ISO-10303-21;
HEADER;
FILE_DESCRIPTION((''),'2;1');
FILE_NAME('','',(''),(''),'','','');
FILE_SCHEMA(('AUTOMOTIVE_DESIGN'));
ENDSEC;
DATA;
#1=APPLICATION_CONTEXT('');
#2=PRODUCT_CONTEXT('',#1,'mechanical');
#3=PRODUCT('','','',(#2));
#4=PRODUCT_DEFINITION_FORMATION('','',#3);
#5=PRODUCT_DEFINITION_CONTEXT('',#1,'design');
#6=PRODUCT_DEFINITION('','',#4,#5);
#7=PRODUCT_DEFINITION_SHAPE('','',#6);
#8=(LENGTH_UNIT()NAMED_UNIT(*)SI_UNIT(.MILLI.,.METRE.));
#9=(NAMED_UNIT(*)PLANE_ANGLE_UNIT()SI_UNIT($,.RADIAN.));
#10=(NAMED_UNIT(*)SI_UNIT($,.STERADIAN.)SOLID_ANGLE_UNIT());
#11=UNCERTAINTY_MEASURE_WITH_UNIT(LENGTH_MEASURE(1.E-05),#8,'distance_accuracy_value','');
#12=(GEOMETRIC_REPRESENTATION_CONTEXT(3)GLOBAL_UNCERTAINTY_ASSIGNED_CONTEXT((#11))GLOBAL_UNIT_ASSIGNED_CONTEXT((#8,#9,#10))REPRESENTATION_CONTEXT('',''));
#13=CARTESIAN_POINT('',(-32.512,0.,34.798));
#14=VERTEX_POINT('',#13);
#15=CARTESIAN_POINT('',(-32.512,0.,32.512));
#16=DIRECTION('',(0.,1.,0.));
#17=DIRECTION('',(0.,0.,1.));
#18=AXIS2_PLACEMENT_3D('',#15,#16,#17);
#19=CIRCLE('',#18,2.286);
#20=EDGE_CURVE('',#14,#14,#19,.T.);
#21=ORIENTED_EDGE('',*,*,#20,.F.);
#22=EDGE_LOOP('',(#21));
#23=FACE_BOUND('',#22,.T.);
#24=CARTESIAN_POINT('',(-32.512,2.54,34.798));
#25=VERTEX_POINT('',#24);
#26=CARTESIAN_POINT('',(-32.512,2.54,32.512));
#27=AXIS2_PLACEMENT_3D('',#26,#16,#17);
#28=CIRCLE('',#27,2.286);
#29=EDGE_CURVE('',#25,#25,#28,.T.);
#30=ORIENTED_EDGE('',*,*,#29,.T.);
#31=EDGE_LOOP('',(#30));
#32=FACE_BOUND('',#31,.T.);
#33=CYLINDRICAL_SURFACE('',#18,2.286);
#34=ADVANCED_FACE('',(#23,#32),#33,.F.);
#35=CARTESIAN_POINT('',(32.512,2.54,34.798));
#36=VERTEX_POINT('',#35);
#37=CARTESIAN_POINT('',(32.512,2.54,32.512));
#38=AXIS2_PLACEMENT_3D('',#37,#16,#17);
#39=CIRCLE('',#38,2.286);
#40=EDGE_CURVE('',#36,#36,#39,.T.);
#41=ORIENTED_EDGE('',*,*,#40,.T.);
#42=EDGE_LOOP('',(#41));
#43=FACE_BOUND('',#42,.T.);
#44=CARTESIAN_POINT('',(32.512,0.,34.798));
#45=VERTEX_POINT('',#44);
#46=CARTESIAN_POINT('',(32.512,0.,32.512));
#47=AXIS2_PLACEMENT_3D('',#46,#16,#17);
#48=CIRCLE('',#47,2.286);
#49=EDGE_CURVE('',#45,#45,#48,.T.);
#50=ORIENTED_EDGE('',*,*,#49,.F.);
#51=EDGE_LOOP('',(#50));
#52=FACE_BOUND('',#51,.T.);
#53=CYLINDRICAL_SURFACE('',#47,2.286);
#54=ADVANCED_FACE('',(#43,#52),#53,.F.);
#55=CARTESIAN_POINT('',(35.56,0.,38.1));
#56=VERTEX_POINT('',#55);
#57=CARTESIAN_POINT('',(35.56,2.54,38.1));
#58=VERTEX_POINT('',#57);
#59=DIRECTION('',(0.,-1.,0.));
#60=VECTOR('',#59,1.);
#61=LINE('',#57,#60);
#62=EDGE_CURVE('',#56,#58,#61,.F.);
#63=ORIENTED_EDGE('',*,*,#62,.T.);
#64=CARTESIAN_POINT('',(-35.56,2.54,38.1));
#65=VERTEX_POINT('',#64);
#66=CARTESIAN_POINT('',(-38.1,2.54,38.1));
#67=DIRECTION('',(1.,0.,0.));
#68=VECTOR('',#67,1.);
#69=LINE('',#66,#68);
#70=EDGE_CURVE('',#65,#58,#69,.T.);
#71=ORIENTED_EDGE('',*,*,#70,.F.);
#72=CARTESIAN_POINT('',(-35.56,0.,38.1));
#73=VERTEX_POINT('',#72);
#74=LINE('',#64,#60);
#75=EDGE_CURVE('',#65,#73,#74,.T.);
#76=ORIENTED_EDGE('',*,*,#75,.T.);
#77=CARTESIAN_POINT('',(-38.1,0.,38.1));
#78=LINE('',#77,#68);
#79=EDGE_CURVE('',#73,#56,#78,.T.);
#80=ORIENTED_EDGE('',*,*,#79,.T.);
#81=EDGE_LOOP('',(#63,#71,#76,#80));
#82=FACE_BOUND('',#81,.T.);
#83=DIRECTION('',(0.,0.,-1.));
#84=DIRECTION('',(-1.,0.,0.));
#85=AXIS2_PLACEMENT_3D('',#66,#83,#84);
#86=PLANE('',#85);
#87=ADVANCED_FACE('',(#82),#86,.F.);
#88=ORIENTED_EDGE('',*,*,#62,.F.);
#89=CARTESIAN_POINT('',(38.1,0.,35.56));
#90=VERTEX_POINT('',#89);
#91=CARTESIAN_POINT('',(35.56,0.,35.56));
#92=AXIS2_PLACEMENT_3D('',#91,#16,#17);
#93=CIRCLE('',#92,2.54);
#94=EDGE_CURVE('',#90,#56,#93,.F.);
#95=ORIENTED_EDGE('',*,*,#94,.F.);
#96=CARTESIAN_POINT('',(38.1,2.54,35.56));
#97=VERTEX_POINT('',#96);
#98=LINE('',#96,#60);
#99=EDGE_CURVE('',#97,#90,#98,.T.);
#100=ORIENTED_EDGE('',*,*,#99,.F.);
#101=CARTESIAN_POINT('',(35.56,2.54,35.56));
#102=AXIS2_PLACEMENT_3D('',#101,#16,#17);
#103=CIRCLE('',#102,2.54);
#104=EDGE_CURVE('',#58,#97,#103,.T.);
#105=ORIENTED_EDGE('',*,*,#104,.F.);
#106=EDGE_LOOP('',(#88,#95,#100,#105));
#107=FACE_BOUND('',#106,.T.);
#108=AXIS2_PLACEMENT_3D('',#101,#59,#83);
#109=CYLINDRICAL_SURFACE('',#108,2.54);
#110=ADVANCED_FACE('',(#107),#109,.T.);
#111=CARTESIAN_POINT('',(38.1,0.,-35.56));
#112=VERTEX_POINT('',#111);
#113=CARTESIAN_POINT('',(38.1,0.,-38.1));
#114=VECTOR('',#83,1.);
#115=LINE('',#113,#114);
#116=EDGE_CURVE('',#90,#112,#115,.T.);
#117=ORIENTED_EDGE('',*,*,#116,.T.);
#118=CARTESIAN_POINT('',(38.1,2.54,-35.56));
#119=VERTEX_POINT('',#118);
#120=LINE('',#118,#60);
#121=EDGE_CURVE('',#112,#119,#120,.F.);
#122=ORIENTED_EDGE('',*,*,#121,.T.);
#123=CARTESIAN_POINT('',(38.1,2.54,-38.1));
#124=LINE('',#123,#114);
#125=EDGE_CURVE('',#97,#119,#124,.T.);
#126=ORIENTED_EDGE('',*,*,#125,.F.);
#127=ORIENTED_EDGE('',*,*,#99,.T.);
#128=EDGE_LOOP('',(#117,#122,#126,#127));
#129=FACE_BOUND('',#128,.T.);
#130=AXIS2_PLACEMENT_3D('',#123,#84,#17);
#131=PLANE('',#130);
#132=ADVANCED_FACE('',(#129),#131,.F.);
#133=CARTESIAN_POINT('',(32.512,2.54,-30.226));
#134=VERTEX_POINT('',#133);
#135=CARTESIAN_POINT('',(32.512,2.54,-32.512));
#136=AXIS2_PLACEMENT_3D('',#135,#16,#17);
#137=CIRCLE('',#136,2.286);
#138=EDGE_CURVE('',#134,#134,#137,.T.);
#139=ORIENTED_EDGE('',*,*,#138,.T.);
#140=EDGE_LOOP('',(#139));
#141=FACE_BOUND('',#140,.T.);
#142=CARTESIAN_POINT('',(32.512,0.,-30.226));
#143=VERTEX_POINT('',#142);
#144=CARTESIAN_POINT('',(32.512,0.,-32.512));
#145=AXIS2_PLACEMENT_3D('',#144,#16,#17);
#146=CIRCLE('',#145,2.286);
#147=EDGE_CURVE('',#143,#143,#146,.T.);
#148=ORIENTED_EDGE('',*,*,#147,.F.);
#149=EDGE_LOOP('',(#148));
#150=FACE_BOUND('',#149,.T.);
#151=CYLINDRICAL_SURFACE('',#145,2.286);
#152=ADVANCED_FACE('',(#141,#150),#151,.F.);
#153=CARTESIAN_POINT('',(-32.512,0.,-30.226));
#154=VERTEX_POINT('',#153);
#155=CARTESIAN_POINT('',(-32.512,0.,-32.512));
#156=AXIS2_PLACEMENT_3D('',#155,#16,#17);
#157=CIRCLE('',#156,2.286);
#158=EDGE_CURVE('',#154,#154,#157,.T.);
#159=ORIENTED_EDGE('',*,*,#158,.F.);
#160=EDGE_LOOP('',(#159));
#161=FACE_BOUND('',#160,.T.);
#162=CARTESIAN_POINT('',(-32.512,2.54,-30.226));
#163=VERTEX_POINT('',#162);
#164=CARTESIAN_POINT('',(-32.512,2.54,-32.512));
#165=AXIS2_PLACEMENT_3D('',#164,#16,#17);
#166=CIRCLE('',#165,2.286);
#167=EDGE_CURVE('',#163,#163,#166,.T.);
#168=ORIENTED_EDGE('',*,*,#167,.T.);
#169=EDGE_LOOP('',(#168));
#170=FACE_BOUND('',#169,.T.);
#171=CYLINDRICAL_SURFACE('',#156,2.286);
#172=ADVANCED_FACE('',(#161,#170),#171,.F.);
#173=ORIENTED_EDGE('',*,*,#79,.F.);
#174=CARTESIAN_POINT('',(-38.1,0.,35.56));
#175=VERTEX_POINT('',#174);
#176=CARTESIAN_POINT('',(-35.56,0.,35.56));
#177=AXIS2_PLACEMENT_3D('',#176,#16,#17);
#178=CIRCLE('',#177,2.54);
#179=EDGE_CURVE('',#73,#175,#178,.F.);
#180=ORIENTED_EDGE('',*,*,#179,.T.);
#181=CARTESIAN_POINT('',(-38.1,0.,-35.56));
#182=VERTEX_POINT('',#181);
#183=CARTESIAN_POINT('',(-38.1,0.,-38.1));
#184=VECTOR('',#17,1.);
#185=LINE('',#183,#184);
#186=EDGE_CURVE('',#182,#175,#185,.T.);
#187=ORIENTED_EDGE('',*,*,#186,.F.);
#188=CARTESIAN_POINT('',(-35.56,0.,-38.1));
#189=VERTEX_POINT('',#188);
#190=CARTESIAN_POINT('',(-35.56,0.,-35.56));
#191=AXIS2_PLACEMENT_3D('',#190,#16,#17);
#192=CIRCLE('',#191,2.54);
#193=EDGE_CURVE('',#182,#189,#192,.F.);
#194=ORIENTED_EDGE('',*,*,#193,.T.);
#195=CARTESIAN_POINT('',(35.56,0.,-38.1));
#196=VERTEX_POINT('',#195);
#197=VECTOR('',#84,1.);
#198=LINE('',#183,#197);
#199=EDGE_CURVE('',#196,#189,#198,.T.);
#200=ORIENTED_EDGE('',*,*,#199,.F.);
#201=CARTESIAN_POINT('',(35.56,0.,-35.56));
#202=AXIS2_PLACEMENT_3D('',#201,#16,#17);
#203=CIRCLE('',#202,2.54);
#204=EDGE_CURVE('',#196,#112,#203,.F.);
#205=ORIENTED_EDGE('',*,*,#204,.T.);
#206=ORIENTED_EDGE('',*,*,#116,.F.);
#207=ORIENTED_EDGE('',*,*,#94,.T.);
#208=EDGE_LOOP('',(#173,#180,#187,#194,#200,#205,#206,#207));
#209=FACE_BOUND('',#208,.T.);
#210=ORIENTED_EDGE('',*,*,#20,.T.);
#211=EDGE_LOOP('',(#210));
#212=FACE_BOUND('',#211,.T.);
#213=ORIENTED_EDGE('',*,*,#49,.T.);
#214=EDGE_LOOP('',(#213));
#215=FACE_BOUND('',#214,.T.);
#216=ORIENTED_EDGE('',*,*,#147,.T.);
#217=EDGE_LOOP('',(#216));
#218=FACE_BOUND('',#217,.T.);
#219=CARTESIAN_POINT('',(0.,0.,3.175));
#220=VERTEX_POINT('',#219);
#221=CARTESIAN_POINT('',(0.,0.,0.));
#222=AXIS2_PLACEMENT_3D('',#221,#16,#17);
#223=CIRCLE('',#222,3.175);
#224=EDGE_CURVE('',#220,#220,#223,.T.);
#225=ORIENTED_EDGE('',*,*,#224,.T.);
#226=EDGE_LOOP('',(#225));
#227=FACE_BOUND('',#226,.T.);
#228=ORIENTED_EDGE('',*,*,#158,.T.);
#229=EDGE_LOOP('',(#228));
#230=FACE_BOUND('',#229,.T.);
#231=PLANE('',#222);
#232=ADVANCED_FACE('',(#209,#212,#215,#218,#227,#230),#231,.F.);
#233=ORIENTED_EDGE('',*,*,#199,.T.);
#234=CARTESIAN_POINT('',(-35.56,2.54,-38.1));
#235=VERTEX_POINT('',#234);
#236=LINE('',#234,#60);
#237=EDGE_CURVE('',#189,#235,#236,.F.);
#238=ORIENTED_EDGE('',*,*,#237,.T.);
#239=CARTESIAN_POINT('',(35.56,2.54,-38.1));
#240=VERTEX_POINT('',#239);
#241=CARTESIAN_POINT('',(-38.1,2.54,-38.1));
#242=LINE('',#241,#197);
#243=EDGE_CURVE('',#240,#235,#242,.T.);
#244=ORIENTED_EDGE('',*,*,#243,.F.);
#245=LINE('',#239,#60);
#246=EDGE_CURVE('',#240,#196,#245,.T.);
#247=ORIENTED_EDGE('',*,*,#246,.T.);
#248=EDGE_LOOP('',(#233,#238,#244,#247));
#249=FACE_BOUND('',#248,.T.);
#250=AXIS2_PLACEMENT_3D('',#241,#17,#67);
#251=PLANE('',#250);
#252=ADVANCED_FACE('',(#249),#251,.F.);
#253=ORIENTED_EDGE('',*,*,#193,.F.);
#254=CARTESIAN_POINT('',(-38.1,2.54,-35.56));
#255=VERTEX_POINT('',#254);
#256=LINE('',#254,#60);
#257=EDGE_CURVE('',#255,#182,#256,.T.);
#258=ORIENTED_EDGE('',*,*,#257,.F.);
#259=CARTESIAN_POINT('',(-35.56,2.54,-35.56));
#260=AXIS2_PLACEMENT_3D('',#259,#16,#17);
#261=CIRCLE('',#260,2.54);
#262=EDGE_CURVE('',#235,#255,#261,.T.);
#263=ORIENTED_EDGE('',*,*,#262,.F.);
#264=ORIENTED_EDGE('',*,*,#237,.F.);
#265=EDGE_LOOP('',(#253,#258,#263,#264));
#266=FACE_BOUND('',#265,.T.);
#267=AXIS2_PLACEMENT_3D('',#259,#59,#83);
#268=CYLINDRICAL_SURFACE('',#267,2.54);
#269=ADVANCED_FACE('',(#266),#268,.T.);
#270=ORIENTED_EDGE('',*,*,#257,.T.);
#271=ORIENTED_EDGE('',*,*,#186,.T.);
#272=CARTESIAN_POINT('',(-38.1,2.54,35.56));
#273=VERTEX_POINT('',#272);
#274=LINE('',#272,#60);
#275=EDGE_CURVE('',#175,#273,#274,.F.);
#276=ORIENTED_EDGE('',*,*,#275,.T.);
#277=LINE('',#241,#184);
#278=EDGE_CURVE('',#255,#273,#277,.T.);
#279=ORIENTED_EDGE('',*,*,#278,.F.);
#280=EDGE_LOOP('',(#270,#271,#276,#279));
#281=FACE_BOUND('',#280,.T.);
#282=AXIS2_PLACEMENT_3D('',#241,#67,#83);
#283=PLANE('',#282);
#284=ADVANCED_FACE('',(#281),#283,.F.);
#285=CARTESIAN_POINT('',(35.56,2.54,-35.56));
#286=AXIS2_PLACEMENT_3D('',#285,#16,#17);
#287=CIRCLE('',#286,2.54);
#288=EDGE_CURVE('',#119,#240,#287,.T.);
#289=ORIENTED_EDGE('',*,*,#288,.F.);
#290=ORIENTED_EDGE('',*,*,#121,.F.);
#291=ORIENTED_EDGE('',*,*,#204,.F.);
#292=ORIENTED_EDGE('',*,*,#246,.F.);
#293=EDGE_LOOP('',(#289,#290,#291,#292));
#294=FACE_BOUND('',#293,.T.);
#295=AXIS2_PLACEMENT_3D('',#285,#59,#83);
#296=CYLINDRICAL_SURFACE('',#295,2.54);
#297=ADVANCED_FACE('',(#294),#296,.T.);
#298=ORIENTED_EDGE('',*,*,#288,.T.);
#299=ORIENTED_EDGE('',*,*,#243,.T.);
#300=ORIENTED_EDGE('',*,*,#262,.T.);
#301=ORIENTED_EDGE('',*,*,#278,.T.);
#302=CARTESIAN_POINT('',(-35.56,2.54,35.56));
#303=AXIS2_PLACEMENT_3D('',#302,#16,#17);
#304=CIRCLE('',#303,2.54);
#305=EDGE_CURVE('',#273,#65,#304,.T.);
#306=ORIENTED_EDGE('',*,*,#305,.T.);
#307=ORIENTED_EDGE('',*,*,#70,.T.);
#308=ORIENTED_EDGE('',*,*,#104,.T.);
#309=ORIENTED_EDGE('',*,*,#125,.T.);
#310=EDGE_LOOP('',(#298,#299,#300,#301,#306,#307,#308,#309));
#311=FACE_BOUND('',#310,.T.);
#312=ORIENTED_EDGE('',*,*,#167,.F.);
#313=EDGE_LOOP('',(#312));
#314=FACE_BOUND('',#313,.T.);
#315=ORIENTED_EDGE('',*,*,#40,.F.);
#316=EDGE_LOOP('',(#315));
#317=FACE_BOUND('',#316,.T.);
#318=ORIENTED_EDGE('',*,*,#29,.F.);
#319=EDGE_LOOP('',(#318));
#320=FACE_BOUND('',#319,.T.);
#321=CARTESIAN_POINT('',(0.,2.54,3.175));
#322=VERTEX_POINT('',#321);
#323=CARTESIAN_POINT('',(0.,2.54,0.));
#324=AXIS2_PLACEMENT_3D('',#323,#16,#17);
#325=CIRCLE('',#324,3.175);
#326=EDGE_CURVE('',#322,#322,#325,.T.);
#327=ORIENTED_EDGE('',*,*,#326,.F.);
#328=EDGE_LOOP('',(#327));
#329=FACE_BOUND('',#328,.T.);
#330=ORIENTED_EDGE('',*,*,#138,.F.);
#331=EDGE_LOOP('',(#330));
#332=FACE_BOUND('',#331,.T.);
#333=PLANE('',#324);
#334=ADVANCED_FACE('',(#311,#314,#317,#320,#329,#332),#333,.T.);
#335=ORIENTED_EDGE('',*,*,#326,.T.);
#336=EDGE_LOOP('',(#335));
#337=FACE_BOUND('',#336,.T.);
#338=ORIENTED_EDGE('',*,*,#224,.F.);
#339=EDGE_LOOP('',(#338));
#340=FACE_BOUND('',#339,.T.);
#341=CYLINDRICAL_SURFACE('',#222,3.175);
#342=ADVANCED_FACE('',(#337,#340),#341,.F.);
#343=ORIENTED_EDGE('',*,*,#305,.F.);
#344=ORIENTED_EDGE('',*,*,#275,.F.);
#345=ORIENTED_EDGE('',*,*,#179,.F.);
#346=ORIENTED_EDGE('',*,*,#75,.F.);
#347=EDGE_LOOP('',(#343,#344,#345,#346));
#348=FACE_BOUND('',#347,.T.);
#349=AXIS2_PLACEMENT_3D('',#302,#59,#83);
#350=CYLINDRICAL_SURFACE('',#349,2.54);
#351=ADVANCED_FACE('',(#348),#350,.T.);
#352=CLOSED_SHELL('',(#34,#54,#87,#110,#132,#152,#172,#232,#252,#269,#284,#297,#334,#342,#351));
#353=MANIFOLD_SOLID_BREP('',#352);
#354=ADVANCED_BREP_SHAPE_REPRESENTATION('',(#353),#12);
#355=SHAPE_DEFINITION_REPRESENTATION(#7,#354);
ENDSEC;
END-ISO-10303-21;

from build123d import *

# Parameters (mm, degrees)
SKETCH2_W           = 76.2
SKETCH2_H           = 76.2
BOSS_EXTRUDE2_DEPTH = 2.54
SKETCH5_R           = 2.286
CUT_EXTRUDE1_DEPTH  = 2.54
SKETCH6_R           = 3.175
CUT_EXTRUDE2_DEPTH  = 2.54
FILLET3_R           = 2.54


with BuildPart() as part:
    # Sketch2 → Boss-Extrude2 (new body)
    with BuildSketch(Plane(origin=(0, 0, 0), x_dir=(1, 0, 0), z_dir=(0, 1, 0))):
        Rectangle(SKETCH2_W, SKETCH2_H)
    extrude(amount=BOSS_EXTRUDE2_DEPTH)

    # Sketch5 → Cut-Extrude1 (cut)
    with BuildSketch(Plane(origin=(0, 2.54, 0), x_dir=(1, 0, 0), z_dir=(0, 1, 0))):
        with Locations((-32.512, 32.512)):
            Circle(SKETCH5_R)
        with Locations((32.512, 32.512)):
            Circle(SKETCH5_R)
        with Locations((32.512, -32.512)):
            Circle(SKETCH5_R)
        with Locations((-32.512, -32.512)):
            Circle(SKETCH5_R)
    extrude(amount=-CUT_EXTRUDE1_DEPTH, mode=Mode.SUBTRACT)

    # Sketch6 → Cut-Extrude2 (cut)
    with BuildSketch(Plane(origin=(0, 2.54, 0), x_dir=(1, 0, 0), z_dir=(0, 1, 0))):
        Circle(SKETCH6_R)
    extrude(amount=-CUT_EXTRUDE2_DEPTH, mode=Mode.SUBTRACT)

    # Fillet3
    fillet3_edges = [part.edges().sort_by_distance(p)[0] for p in [
        (38.1, 1.27, 38.1),
        (-38.1, 1.27, 38.1),
        (-38.1, 1.27, -38.1),
        (38.1, 1.27, -38.1),
    ]]
    fillet(fillet3_edges, radius=FILLET3_R)


solid = part.part
